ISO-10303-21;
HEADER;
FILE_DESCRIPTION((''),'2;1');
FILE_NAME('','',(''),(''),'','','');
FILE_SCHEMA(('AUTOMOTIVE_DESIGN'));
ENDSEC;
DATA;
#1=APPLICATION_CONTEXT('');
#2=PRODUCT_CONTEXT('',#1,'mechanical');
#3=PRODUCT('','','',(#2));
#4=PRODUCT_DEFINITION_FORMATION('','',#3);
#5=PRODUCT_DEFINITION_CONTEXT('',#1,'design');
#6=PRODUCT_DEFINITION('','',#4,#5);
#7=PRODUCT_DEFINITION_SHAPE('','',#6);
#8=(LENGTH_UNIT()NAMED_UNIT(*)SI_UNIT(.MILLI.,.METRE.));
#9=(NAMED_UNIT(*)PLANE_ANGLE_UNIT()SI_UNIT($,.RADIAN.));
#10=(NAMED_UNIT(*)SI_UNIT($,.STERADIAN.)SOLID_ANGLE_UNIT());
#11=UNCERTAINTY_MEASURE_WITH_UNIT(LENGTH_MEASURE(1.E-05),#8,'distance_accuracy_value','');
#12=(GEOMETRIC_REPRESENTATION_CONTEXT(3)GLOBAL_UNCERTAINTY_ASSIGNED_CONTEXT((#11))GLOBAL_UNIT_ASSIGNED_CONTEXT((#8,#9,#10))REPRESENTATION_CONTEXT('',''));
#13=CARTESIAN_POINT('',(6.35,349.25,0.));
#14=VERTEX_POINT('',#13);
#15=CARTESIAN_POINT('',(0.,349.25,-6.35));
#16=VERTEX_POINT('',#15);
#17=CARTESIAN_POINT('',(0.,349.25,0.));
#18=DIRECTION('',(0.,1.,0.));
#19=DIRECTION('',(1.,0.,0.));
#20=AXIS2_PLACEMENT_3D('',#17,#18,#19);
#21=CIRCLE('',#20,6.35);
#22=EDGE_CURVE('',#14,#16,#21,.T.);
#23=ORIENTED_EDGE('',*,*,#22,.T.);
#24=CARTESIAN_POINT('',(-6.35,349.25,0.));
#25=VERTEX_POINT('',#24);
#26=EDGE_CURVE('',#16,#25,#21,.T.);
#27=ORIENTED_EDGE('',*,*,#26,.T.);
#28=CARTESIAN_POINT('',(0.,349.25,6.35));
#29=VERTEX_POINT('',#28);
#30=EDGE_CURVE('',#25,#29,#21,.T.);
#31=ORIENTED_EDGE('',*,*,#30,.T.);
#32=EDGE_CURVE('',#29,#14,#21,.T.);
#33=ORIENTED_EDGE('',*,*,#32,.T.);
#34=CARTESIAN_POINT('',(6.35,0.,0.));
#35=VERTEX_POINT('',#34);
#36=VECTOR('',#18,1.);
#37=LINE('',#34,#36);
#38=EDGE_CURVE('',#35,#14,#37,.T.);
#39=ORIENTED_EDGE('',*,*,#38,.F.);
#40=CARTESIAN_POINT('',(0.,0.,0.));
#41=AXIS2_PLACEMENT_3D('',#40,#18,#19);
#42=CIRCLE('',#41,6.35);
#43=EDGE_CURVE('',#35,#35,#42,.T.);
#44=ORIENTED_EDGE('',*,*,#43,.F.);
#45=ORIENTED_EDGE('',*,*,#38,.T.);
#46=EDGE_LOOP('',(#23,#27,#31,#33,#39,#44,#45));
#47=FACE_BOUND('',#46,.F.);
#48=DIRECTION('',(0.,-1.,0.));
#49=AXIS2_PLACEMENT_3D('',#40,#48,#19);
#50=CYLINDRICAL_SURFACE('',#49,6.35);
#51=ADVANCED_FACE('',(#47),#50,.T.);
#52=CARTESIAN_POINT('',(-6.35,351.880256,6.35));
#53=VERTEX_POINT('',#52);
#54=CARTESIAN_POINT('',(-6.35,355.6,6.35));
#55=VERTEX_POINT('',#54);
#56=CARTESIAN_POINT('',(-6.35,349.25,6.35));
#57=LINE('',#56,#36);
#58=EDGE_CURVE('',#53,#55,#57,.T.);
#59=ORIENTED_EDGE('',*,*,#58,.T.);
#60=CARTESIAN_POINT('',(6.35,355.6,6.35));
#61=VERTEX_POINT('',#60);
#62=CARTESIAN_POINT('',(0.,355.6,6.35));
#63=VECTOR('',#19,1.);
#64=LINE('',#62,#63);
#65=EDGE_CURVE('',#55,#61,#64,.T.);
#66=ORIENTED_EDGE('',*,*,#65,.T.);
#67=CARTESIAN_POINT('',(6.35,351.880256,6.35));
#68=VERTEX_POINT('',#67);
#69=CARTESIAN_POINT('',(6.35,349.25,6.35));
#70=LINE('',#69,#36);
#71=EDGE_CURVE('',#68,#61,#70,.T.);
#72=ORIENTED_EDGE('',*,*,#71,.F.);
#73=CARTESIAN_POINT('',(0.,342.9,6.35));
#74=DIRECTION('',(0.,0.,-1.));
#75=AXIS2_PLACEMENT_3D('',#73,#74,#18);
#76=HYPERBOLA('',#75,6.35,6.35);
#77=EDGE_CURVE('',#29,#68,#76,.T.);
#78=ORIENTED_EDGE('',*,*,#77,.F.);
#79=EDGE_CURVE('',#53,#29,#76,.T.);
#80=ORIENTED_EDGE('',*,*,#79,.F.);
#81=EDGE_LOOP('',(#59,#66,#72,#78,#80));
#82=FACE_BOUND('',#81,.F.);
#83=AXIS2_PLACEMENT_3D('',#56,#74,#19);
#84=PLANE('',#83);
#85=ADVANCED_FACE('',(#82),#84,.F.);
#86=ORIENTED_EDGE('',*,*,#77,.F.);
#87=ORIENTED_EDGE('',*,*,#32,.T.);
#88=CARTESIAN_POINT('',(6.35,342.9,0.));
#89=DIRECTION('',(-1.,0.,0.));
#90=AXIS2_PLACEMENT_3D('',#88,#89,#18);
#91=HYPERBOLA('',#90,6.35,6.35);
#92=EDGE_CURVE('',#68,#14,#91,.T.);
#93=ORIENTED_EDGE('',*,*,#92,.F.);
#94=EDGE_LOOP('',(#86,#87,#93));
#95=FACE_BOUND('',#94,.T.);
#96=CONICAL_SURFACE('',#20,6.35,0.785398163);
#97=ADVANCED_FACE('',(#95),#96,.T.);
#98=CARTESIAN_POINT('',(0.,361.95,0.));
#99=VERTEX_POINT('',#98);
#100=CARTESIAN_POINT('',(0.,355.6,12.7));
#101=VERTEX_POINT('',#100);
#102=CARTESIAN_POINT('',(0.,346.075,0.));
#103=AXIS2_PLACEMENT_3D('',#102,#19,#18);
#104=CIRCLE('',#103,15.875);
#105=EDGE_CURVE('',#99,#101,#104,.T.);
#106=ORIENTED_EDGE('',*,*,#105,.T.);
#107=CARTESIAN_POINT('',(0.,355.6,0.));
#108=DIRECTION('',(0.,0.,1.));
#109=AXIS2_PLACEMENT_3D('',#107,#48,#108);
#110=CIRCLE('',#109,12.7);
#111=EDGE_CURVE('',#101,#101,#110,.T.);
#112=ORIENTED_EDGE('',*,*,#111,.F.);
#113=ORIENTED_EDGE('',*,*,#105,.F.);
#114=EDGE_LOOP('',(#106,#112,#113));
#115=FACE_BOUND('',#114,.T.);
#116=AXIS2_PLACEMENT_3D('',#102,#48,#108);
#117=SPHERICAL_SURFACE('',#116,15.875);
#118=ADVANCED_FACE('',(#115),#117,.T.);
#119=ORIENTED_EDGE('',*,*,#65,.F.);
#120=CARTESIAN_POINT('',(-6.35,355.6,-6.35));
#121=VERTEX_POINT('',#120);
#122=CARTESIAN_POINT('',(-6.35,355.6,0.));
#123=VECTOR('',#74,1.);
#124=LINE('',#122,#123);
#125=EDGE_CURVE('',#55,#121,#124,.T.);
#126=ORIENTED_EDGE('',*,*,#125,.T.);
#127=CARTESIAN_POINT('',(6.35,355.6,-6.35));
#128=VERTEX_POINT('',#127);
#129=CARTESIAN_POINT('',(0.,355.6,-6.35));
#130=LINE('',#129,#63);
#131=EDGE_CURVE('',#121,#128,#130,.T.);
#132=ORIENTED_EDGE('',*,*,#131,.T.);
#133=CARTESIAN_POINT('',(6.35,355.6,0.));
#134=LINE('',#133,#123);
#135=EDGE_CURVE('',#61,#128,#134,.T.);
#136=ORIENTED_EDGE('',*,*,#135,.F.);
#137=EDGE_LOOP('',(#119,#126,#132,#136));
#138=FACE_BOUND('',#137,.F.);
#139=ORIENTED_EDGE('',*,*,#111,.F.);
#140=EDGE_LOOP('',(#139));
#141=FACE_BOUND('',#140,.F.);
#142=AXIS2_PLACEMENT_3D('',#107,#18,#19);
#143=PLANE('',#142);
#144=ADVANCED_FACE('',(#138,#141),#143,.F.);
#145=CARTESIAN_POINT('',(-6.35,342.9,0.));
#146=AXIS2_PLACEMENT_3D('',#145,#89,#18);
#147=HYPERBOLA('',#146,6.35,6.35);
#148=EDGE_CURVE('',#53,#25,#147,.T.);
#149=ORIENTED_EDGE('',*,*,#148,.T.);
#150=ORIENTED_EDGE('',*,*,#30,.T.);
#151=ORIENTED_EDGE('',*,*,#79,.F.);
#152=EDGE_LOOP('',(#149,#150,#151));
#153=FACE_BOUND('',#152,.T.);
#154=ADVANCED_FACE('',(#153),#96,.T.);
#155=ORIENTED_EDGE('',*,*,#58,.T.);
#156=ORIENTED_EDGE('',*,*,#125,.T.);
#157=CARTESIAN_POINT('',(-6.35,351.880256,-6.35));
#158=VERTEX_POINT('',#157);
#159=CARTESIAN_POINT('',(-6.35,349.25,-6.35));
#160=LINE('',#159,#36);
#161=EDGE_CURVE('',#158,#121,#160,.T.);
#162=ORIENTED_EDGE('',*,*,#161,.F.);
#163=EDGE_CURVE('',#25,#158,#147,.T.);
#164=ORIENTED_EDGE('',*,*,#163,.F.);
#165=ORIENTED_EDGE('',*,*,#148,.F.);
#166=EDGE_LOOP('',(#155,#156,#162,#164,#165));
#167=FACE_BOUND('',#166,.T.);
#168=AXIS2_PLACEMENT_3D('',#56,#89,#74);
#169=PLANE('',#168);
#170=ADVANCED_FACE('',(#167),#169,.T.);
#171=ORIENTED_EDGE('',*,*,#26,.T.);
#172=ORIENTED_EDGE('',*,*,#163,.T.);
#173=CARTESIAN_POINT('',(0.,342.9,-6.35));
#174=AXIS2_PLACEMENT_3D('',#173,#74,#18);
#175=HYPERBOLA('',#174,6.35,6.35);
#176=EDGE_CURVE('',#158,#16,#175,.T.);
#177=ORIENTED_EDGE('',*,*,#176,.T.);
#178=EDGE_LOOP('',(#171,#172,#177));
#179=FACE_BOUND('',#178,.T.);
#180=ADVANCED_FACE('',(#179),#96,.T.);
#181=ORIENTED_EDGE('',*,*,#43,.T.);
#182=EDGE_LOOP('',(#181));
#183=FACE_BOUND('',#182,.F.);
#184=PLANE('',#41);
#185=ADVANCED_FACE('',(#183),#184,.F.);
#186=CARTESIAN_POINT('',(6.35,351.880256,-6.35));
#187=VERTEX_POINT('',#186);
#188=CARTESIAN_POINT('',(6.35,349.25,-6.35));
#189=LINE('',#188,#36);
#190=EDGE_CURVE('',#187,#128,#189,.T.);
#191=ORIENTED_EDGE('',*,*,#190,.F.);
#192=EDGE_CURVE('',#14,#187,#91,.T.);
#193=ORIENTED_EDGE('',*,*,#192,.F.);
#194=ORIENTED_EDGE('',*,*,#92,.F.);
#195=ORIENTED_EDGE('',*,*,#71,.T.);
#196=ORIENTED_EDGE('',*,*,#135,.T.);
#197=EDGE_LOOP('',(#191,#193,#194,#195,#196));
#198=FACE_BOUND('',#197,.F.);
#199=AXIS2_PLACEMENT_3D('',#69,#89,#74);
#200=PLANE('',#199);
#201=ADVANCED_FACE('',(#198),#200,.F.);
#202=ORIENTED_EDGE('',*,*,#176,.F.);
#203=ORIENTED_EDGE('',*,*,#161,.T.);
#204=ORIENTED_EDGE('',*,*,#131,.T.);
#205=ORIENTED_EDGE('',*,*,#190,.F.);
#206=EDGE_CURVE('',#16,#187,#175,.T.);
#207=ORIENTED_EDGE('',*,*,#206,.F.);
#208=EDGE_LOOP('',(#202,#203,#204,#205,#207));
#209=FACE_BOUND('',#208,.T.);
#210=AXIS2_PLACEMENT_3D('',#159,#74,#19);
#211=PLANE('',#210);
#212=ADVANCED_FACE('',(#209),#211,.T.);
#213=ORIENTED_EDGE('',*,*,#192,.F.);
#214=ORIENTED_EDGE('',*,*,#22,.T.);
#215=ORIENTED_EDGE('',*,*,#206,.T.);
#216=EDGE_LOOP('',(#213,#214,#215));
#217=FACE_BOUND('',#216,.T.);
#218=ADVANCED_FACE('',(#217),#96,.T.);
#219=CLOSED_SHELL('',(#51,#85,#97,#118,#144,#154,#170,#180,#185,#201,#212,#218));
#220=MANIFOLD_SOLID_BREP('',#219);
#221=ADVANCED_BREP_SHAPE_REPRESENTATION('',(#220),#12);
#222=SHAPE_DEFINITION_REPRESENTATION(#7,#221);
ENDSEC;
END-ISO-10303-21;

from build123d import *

# Parameters (mm, degrees)
SKETCH1_R           = 6.35
BOSS_EXTRUDE1_DEPTH = 349.25
SKETCH2_W           = 12.7
SKETCH2_H           = 12.7
BOSS_EXTRUDE2_DEPTH = 6.35
SKETCH3_R           = 12.7
BOSS_EXTRUDE3_DEPTH = 6.35
SKETCH5_OUTSIDE_W   = 112.846
SKETCH5_OUTSIDE_H   = 112.846
SKETCH5_OUTSIDE_R   = 6.35
CUT_EXTRUDE1_DEPTH  = 6.35
CUT_EXTRUDE1_TAPER  = 45


with BuildPart() as part:
    # Sketch1 → Boss-Extrude1 (new body)
    with BuildSketch(Plane(origin=(0, 0, 0), x_dir=(1, 0, 0), z_dir=(0, 1, 0))):
        Circle(SKETCH1_R)
    extrude(amount=BOSS_EXTRUDE1_DEPTH)

    # Sketch2 → Boss-Extrude2 (add)
    with BuildSketch(Plane(origin=(0, 349.25, 0), x_dir=(1, 0, 0), z_dir=(0, 1, 0))):
        Rectangle(SKETCH2_W, SKETCH2_H)
    extrude(amount=BOSS_EXTRUDE2_DEPTH)

    # Sketch3 → Boss-Extrude3 (add)
    with BuildSketch(Plane(origin=(0, 355.6, 0), x_dir=(1, 0, 0), z_dir=(0, 1, 0))):
        Circle(SKETCH3_R)
    extrude(amount=BOSS_EXTRUDE3_DEPTH)

    # Sketch4 → Cut-Revolve1 (revolve, cut)
    with BuildSketch(Plane(origin=(0, 0, 0), x_dir=(0, 0, -1), z_dir=(1, 0, 0))):
        with BuildLine():
            Line((-12.7, 355.6), (-17.199061604, 355.6))
            Line((-17.199061604, 355.6), (-17.199061604, 364.492507037))
            Line((-17.199061604, 364.492507037), (0, 364.492507037))
            Line((0, 364.492507037), (0, 361.95))
            ThreePointArc((0, 361.95), (-7.099515829, 360.274031657), (-12.7, 355.6))
        make_face()
    revolve(axis=Axis((0, 369.557753648, 0), (0, -1, 0)), mode=Mode.SUBTRACT)

    # Sketch5 outside → Cut-Extrude1 (cut)
    with BuildSketch(Plane.XZ.offset(-349.25)):
        Rectangle(SKETCH5_OUTSIDE_W, SKETCH5_OUTSIDE_H)
        Circle(SKETCH5_OUTSIDE_R, mode=Mode.SUBTRACT)
    extrude(amount=-CUT_EXTRUDE1_DEPTH, taper=CUT_EXTRUDE1_TAPER, mode=Mode.SUBTRACT)


solid = part.part
